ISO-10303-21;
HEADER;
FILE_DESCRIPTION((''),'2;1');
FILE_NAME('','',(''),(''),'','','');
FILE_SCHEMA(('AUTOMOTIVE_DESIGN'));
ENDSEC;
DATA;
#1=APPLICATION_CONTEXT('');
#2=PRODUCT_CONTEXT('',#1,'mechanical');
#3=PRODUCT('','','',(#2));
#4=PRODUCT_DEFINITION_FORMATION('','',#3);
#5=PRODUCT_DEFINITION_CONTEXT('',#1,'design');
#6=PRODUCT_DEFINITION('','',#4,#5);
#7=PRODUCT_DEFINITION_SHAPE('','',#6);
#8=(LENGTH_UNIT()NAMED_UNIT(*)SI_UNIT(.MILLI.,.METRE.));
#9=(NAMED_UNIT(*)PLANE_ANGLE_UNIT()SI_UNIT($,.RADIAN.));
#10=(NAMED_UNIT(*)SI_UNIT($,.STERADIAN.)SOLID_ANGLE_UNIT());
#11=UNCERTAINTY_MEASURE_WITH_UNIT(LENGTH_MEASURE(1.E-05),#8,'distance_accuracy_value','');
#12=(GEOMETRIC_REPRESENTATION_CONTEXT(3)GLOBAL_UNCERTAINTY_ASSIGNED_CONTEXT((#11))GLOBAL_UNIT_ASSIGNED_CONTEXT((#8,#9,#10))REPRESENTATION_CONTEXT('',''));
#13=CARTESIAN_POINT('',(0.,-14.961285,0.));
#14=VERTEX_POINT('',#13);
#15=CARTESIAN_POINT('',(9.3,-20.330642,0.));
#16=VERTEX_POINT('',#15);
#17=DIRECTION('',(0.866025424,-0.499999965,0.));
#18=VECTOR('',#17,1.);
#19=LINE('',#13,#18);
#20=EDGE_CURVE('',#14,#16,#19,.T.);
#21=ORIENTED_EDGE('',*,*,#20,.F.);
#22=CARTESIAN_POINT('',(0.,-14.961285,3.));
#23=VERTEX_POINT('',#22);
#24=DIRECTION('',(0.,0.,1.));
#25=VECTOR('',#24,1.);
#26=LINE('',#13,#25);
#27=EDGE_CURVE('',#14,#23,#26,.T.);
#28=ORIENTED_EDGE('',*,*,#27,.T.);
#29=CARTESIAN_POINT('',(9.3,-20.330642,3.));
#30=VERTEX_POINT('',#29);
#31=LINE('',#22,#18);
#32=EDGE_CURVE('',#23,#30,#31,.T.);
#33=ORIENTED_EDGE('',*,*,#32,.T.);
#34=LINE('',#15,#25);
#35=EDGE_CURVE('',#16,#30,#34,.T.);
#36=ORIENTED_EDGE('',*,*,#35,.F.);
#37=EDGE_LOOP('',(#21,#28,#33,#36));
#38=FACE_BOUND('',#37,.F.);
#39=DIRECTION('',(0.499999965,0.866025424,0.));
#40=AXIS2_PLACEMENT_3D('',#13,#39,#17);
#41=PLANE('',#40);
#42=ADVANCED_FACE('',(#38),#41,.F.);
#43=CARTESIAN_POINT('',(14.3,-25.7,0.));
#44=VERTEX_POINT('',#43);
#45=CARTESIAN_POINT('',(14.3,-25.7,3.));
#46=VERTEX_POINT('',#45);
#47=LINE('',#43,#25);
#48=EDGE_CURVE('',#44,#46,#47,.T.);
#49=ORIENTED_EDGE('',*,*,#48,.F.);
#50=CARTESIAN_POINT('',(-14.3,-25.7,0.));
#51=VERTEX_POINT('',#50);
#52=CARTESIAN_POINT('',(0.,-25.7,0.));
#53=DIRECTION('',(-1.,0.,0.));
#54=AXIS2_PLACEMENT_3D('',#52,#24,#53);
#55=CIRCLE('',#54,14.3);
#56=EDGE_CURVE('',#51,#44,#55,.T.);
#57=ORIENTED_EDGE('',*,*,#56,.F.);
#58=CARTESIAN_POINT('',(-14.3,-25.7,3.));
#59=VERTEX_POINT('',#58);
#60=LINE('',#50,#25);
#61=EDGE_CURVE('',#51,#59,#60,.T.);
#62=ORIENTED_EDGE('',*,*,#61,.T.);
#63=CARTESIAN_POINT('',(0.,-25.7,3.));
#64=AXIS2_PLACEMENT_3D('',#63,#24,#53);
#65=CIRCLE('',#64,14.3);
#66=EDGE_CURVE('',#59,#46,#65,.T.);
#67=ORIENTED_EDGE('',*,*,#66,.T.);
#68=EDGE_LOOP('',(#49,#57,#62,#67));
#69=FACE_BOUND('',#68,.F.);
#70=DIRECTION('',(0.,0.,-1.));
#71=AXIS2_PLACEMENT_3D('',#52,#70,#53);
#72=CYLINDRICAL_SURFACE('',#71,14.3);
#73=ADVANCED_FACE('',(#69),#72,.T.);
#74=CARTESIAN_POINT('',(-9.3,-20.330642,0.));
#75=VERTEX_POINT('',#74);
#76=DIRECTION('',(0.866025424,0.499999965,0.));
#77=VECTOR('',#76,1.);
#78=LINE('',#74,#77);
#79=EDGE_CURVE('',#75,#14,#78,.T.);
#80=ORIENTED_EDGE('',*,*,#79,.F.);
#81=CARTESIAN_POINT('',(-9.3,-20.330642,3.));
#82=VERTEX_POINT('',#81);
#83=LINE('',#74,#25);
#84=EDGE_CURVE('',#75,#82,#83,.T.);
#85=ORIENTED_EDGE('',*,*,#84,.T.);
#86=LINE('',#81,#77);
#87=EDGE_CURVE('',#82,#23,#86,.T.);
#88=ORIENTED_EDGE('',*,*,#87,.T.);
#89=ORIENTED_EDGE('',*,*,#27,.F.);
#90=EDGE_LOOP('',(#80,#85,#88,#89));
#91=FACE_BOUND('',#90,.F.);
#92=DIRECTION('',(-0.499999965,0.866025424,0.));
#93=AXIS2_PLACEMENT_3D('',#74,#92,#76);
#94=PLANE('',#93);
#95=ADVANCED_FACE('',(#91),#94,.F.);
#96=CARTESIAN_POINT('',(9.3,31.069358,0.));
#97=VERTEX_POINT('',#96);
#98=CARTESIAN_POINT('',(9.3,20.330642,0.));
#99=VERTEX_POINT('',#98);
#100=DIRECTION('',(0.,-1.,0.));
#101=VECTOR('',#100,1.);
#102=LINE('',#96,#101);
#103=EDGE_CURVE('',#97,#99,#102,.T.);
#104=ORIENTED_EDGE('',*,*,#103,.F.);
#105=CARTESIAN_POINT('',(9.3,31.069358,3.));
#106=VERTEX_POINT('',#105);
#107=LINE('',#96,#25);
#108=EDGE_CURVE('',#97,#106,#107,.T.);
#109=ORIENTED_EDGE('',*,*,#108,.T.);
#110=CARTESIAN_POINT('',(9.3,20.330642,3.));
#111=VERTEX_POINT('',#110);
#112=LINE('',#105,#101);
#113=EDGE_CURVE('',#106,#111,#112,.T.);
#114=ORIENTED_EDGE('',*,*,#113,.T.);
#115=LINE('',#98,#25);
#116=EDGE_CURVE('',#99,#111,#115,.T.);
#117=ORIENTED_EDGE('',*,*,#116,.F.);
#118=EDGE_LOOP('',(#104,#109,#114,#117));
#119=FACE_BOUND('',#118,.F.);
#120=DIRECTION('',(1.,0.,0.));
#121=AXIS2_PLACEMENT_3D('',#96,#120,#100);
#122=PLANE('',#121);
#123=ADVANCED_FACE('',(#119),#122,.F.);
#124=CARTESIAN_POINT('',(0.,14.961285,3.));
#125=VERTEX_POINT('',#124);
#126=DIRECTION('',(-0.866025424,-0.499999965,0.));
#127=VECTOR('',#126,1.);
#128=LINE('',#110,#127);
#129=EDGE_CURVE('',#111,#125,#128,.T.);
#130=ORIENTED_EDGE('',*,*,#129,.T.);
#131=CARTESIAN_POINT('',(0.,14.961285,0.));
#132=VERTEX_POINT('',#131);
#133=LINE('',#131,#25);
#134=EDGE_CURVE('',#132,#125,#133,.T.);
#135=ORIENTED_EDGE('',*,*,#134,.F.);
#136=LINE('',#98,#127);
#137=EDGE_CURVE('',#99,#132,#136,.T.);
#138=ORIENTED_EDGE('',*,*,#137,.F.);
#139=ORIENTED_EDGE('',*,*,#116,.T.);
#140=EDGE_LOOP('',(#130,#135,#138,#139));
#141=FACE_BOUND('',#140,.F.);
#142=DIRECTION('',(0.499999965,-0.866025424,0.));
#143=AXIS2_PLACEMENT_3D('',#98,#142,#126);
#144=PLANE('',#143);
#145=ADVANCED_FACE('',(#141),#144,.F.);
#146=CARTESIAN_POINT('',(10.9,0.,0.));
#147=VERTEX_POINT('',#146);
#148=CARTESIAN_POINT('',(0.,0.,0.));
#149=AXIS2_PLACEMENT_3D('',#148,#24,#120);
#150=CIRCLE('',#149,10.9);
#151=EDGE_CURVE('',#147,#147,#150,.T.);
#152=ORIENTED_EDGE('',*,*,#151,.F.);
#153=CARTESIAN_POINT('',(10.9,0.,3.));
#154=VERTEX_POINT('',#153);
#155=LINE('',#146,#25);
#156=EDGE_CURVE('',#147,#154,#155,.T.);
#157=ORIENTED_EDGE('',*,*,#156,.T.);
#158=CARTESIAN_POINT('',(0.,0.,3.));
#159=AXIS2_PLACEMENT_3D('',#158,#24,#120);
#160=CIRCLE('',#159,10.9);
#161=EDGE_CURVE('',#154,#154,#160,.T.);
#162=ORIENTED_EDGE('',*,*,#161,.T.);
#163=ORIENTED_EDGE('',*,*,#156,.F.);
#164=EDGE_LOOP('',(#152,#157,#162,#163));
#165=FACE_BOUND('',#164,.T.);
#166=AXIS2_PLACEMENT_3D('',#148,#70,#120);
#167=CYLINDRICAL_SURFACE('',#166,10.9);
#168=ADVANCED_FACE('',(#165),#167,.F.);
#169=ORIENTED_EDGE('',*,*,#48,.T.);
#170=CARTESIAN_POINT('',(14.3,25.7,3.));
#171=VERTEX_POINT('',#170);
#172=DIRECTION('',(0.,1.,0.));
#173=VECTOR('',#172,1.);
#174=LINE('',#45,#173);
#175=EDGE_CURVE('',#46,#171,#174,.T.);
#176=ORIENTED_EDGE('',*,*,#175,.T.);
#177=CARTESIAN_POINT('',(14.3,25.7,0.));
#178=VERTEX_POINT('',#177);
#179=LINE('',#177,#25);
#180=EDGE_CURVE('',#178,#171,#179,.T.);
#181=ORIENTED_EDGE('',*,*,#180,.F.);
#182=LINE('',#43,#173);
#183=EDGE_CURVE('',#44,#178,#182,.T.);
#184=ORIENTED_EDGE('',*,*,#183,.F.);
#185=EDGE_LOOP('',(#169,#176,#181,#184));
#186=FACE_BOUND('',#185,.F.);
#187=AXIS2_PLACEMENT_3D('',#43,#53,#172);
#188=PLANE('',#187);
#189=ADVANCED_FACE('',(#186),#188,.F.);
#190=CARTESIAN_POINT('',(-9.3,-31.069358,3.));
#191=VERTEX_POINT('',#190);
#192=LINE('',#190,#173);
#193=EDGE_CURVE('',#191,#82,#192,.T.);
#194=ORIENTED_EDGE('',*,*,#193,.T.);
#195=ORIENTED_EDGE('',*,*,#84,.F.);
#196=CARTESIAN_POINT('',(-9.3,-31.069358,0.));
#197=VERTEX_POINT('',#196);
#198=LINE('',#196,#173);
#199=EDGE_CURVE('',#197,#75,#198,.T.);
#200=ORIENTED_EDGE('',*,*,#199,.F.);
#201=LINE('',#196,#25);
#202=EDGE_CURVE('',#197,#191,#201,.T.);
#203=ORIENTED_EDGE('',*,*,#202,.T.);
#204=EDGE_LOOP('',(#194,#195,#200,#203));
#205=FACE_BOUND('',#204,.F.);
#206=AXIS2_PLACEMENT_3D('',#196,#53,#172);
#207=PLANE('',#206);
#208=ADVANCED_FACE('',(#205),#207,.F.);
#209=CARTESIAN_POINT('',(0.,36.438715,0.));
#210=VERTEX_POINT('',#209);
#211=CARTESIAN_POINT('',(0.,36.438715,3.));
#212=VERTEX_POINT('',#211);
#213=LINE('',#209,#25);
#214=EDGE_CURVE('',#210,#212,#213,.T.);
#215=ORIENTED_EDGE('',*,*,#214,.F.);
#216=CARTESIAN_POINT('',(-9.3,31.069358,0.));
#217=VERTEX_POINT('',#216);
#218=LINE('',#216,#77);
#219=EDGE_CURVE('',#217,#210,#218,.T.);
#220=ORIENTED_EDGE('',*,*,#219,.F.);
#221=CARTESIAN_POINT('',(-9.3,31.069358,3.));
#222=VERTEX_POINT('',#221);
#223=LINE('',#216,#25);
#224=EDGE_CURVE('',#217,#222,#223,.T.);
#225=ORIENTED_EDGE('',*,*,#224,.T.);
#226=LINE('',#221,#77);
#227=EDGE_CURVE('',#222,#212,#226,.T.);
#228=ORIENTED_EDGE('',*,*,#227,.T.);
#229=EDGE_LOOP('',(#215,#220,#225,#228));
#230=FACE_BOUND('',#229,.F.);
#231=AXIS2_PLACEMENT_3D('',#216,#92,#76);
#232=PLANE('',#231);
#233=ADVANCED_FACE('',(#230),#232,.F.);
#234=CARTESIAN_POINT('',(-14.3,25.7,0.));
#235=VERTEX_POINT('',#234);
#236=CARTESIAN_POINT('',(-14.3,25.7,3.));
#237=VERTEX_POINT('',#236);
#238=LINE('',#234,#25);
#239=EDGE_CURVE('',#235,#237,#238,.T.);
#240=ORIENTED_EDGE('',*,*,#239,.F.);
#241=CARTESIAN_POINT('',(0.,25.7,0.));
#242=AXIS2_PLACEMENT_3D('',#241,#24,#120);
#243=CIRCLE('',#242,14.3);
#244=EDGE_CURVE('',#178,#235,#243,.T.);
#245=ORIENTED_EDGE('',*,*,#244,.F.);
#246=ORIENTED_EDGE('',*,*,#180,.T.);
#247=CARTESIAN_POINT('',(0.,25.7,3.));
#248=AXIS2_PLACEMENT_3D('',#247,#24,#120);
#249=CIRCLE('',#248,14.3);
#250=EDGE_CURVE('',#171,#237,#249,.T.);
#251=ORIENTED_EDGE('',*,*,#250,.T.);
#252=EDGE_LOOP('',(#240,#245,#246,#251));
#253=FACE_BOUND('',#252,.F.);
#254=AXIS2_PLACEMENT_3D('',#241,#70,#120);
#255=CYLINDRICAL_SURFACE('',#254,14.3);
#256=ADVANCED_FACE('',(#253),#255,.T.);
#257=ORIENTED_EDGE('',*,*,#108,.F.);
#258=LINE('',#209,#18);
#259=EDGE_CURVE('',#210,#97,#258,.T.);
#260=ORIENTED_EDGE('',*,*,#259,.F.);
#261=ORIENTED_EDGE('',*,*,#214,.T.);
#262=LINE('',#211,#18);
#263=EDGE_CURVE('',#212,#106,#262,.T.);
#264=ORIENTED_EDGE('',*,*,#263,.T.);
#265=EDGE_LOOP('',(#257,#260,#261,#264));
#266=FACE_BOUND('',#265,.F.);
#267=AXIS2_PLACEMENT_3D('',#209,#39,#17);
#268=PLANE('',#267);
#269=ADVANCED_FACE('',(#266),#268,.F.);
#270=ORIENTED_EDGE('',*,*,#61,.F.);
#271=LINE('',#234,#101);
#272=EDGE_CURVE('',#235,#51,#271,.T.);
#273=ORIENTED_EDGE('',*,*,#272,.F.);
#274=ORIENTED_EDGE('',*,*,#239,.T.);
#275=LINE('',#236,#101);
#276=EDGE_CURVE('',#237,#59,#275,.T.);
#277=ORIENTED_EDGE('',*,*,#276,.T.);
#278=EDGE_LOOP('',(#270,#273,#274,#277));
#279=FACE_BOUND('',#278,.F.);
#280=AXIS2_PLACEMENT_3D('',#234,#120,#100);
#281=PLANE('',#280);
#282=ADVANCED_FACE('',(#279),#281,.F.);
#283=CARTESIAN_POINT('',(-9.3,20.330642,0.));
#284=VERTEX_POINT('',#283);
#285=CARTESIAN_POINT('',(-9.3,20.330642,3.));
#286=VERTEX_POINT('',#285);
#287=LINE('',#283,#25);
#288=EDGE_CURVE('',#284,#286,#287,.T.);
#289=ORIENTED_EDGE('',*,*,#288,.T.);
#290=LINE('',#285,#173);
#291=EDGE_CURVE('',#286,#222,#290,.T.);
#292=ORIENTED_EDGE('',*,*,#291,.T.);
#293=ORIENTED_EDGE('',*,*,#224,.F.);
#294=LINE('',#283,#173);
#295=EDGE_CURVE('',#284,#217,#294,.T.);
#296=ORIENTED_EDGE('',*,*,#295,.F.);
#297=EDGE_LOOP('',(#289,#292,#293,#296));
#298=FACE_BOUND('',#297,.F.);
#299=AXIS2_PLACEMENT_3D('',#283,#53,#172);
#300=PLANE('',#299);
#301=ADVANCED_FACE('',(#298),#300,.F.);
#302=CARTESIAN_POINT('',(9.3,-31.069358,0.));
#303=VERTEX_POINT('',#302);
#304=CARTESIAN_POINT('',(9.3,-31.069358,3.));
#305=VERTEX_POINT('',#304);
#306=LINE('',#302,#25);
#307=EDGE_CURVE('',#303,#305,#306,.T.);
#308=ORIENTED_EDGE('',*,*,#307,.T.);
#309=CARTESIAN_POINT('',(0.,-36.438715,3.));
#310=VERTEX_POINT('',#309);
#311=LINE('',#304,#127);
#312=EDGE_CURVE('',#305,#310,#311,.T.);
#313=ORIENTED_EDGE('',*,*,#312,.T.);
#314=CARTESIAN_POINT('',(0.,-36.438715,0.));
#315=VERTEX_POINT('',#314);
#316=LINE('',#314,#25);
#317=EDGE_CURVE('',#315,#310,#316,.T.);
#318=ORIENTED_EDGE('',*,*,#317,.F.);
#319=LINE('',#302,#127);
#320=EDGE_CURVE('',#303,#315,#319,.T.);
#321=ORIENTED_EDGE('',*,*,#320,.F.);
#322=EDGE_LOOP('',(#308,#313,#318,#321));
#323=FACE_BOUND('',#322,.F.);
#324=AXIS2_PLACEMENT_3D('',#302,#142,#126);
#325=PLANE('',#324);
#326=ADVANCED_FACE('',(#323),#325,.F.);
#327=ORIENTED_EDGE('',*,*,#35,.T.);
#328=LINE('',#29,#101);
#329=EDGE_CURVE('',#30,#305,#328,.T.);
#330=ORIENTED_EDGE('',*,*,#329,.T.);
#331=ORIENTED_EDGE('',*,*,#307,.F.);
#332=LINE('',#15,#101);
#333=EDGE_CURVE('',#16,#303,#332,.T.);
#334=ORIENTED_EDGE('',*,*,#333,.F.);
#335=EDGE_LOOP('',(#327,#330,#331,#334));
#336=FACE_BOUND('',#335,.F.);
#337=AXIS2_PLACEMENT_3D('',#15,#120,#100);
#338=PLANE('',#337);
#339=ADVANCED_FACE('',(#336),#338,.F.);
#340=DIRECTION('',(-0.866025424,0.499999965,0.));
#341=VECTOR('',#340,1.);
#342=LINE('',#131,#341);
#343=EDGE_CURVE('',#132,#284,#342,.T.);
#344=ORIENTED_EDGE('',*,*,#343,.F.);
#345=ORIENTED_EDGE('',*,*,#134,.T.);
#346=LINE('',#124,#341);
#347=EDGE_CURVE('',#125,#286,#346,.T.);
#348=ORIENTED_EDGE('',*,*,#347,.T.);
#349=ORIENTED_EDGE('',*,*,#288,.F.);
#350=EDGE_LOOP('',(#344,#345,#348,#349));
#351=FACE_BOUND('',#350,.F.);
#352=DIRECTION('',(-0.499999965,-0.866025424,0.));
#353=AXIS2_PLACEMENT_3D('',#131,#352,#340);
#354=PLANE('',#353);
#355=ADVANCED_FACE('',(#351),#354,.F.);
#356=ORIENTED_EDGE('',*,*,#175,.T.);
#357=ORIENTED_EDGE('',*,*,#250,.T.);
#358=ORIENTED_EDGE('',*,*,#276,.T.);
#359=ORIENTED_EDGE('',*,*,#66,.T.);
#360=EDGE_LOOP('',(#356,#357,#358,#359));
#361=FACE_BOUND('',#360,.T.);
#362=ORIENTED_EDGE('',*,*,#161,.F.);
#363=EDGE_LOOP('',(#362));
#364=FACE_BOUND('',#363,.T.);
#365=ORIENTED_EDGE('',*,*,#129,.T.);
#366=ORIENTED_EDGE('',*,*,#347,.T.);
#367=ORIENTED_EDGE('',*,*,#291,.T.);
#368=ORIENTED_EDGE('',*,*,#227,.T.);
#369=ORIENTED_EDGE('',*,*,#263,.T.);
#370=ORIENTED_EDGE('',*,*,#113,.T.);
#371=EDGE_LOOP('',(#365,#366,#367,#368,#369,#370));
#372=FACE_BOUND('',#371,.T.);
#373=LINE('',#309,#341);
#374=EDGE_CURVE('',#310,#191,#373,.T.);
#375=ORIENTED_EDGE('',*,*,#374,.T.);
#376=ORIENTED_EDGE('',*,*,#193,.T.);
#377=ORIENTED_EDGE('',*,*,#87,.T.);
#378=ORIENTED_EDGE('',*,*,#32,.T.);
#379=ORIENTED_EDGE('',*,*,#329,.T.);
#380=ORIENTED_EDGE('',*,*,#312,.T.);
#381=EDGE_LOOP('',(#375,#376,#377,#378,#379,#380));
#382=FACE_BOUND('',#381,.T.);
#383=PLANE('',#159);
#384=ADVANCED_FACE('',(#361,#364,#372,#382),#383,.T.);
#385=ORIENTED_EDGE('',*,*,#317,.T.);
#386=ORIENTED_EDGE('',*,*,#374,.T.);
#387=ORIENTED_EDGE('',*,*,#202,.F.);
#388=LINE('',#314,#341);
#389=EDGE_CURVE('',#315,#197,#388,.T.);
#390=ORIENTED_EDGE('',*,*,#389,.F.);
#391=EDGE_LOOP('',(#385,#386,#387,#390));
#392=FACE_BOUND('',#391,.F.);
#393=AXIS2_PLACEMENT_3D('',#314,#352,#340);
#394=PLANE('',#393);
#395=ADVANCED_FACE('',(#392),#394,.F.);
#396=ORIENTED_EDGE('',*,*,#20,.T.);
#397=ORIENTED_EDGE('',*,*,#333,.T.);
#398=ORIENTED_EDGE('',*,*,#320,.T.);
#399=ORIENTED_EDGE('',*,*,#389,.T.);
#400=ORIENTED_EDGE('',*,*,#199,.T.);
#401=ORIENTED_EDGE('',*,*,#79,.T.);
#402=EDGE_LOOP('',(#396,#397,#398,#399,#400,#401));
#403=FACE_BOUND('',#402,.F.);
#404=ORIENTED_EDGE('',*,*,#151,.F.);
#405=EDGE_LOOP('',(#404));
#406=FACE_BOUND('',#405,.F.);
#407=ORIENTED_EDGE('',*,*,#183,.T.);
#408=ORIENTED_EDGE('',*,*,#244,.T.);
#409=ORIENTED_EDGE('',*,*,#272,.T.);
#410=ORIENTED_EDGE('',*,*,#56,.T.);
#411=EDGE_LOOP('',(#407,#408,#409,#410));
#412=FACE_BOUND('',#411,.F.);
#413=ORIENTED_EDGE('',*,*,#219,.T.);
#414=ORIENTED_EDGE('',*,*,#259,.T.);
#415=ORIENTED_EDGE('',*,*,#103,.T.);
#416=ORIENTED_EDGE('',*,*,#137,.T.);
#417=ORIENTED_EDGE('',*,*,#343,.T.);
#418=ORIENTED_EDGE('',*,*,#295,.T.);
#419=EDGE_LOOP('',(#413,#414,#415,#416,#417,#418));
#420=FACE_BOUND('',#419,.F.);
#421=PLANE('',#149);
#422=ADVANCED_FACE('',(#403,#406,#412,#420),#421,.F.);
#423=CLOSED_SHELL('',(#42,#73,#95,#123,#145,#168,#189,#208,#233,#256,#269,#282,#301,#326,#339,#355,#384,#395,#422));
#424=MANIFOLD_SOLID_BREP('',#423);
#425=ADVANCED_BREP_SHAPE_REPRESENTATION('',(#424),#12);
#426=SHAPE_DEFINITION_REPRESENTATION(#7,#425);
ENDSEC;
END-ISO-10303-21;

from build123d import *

# Parameters (mm, degrees)
F0_R     = 10.9
F1_DEPTH = 3


with BuildPart() as f1:
    # F0 (on Top) → F1 (new body)
    with BuildSketch(Plane.XY):
        with BuildLine():
            Line((14.3, 0), (14.3, 25.7))
            ThreePointArc((14.3, 25.7), (0, 40), (-14.3, 25.7))
            Line((-14.3, 25.7), (-14.3, 0))
            Line((-14.3, 0), (-14.3, -25.7))
            ThreePointArc((-14.3, -25.7), (0, -40), (14.3, -25.7))
            Line((14.3, -25.7), (14.3, 0))
        make_face()
        Polygon((0, -14.961285), (9.3, -20.330642), (9.3, -31.069358), (0, -36.438715), (-9.3, -31.069358), (-9.3, -20.330642), align=None, mode=Mode.SUBTRACT)
        Circle(F0_R, mode=Mode.SUBTRACT)
        Polygon((0, 14.961285), (-9.3, 20.330642), (-9.3, 31.069358), (0, 36.438715), (9.3, 31.069358), (9.3, 20.330642), align=None, mode=Mode.SUBTRACT)
    extrude(amount=F1_DEPTH)


solid = f1.part
